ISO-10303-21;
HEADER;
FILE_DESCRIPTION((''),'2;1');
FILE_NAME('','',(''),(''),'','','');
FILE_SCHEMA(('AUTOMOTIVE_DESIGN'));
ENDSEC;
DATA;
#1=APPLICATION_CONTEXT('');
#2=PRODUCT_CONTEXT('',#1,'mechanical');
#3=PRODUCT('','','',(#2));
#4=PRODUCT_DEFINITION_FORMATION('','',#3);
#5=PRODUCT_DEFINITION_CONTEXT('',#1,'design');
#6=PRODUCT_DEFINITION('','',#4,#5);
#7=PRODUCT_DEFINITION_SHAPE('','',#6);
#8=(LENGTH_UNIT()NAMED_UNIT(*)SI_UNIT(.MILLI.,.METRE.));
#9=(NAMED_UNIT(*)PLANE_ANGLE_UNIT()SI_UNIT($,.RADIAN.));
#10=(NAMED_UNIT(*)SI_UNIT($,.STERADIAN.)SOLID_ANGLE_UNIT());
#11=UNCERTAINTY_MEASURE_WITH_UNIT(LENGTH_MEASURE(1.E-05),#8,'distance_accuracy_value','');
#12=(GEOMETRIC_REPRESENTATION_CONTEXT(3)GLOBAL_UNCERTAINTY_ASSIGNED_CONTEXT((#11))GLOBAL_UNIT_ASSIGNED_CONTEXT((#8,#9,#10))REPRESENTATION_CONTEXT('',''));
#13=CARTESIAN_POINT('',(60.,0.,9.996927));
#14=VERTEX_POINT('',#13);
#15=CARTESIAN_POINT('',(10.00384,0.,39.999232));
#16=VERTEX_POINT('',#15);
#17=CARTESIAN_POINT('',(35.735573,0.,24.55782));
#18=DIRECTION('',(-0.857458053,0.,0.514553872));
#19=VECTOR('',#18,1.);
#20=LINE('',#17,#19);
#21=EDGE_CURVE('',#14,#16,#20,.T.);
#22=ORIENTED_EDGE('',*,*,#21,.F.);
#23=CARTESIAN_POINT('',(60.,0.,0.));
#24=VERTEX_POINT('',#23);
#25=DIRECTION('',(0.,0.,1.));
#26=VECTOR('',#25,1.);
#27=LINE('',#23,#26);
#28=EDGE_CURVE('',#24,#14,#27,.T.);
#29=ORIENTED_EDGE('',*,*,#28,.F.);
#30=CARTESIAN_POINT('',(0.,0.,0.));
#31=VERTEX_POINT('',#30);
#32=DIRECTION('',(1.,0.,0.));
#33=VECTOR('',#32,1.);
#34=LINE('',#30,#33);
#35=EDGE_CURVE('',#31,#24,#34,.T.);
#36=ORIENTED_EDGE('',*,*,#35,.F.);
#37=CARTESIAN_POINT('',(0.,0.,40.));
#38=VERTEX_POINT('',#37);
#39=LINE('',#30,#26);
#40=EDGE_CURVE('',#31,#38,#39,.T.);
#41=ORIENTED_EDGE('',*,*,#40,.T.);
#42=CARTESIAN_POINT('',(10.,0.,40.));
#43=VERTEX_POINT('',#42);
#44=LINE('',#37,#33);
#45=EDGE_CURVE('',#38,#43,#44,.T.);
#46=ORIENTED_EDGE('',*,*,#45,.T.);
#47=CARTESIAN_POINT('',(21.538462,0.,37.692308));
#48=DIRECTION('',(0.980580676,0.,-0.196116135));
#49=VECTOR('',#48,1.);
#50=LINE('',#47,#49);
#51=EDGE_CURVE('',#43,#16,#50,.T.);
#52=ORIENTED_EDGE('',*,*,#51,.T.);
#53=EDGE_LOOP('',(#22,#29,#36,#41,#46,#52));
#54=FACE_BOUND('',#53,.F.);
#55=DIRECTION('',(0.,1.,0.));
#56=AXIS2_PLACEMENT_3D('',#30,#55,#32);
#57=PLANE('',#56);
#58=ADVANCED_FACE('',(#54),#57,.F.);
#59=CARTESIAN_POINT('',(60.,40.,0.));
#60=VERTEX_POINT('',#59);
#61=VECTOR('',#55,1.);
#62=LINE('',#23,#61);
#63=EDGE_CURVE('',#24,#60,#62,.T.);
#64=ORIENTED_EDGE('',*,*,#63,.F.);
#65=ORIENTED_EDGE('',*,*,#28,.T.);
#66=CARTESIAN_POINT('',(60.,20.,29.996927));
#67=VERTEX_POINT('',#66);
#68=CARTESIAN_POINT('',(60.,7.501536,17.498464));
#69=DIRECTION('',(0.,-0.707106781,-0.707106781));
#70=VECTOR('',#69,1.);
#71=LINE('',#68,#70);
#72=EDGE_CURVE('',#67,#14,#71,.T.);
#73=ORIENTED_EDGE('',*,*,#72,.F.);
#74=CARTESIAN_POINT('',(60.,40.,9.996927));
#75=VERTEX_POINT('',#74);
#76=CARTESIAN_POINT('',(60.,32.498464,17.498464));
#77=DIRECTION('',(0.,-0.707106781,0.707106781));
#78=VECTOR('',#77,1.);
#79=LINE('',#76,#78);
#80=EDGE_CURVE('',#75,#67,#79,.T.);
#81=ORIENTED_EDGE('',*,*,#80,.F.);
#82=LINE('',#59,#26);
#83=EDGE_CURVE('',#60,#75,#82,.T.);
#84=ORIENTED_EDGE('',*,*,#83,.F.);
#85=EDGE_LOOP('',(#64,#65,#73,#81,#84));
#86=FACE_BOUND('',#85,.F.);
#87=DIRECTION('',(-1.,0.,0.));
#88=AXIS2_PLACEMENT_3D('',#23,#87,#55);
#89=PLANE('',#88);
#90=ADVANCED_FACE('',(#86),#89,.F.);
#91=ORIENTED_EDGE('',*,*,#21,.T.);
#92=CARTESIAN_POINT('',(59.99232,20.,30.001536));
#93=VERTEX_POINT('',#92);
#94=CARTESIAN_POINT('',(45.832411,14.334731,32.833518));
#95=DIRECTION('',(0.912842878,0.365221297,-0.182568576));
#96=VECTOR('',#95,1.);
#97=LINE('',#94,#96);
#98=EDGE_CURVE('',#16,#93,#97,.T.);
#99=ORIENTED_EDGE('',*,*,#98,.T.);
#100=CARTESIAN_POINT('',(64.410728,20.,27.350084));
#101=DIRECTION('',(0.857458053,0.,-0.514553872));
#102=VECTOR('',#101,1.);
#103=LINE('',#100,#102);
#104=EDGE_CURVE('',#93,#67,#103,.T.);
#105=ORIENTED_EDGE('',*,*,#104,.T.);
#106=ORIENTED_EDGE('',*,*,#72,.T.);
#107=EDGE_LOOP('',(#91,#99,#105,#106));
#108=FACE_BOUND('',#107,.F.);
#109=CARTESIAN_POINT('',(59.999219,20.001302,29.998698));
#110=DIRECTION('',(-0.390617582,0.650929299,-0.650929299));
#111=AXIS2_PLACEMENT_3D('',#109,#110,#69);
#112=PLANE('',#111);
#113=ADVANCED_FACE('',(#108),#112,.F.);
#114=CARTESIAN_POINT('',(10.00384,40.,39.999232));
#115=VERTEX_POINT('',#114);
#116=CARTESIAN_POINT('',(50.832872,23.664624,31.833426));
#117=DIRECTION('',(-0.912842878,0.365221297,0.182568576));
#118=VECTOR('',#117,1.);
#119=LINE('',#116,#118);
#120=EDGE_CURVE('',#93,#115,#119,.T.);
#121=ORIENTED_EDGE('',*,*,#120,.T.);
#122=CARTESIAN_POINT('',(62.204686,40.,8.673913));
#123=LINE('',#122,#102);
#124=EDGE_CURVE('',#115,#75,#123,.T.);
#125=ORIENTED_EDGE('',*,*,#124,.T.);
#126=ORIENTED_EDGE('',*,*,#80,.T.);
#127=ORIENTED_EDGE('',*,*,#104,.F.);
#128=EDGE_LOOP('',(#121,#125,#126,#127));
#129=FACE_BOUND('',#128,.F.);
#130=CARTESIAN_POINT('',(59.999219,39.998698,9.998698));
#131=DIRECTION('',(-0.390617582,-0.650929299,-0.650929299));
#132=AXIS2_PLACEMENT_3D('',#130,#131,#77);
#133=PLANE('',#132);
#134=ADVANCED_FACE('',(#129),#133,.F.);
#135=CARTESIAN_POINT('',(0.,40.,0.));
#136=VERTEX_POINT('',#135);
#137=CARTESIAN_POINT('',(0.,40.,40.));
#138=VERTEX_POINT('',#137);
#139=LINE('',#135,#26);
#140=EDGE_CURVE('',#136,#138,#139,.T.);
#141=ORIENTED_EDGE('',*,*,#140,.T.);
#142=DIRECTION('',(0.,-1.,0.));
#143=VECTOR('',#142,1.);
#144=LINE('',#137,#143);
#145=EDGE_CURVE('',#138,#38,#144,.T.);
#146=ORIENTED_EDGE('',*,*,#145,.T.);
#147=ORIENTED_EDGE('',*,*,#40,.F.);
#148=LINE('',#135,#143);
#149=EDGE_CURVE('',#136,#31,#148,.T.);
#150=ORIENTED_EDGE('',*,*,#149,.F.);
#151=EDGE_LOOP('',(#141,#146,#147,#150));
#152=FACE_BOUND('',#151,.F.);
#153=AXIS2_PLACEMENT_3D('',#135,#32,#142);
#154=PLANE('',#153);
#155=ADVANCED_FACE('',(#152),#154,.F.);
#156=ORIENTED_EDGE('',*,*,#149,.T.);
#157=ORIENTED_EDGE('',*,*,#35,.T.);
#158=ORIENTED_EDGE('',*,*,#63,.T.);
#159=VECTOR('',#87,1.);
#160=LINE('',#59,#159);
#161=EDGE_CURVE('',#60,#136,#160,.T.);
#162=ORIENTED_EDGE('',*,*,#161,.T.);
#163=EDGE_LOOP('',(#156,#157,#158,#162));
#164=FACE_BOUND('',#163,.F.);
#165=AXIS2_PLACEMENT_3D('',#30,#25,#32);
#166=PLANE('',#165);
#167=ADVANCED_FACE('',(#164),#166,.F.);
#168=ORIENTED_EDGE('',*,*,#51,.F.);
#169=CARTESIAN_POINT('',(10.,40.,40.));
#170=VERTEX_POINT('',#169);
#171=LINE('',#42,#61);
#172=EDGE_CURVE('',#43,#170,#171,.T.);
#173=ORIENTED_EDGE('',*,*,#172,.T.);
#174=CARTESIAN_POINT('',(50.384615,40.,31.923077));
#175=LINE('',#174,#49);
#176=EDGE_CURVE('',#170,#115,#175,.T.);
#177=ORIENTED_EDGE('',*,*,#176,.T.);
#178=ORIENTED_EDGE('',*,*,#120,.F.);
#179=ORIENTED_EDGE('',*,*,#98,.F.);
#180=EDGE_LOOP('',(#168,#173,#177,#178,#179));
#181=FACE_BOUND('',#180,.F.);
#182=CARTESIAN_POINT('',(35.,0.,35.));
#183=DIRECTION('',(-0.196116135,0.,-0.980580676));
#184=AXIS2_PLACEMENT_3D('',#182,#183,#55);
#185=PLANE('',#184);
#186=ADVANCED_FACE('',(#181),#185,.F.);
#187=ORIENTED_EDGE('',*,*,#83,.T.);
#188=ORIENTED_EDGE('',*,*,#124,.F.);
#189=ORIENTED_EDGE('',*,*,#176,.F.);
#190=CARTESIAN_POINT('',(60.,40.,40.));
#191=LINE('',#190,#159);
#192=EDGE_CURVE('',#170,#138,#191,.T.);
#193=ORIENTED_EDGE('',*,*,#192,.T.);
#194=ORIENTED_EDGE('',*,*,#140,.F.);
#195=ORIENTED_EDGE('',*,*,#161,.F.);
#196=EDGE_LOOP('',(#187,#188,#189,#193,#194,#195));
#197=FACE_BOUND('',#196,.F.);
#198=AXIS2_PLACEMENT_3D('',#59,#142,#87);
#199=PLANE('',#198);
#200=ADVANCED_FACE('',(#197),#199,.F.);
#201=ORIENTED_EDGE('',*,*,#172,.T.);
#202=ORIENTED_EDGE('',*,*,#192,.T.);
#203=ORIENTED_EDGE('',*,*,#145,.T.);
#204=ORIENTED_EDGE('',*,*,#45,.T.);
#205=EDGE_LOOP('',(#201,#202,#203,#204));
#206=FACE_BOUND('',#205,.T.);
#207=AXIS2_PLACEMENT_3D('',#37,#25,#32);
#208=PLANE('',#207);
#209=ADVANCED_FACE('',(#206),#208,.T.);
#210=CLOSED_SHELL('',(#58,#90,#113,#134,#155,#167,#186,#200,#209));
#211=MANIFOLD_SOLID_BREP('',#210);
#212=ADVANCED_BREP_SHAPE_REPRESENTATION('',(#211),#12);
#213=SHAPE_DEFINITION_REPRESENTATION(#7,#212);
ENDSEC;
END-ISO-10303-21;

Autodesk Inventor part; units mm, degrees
ref_plane "YZ Plane" through (0, 0, 0) normal (1, 0, 0) x (0, 1, 0)
sketch "草圖1" plane through (0, 0, 0) normal (0, 0, 1) x (1, 0, 0)
  line L0 (0, 0) -> (60, 0)
  line L1 (60, 0) -> (60, 40)
  line L2 (60, 40) -> (0, 40)
  line L3 (0, 40) -> (0, 0)
  dimension "d0" = 60
  dimension "d1" = 40
extrude "擠出1" add sketch "草圖1" along normal blind 40
chamfer "倒角1" distance 50 distance2 10 1 edges at (60, 20, 40) measured on face at (20, 26.6667, 40)
sketch "草圖2" plane through (60, 0, 0) normal (1, 0, 0) x (0, 0, -1)
  line L0 (0, 40) -> (-30, 40) projected
  line L1 (0, 0) -> (0, 40) projected
  line L2 (0, 0) -> (-30, 0) projected
  line L3 (-40, 40) -> (-40, 0) projected
  point P0 (-10, 40)
  point P1 (-10, 0)
  point P2 (-40, 20)
  dimension "d7" = 10
  dimension "d10" = 10
  dimension "d13" = 20
ref_plane "工作平面3" through (60, 40, 10) normal (-0.3906, -0.6509, -0.6509) x (0, -0.7071, 0.7071)
ref_plane "工作平面4" through (60, 20, 30) normal (-0.3906, 0.6509, -0.6509) x (0, -0.7071, -0.7071)
sketch "草圖5" plane through (60, 40, 10) normal (-0.3906, -0.6509, -0.6509) x (0, -0.7071, 0.7071)
  line L0 (-21.2028, 86.012) -> (46.7944, 86.012)
  line L1 (46.7944, 86.012) -> (46.7944, -28.5442)
  line L2 (46.7944, -28.5442) -> (-21.2028, -28.5442)
  line L3 (-21.2028, -28.5442) -> (-21.2028, 86.012)
  point P0 (21.2132, 41.4259)
extrude "擠出4" cut sketch "草圖5" against normal blind 40
sketch "草圖6" plane through (60, 20, 30) normal (-0.3906, 0.6509, -0.6509) x (0, -0.7071, -0.7071)
  line L0 (-21.2652, 80.224) -> (44.7592, 80.224)
  line L1 (44.7592, 80.224) -> (44.7592, -31.1757)
  line L2 (44.7592, -31.1757) -> (-21.2652, -31.1757)
  line L3 (-21.2652, -31.1757) -> (-21.2652, 80.224)
  point P0 (35.3553, 52.4728)
extrude "擠出5" cut sketch "草圖6" against normal blind 40
